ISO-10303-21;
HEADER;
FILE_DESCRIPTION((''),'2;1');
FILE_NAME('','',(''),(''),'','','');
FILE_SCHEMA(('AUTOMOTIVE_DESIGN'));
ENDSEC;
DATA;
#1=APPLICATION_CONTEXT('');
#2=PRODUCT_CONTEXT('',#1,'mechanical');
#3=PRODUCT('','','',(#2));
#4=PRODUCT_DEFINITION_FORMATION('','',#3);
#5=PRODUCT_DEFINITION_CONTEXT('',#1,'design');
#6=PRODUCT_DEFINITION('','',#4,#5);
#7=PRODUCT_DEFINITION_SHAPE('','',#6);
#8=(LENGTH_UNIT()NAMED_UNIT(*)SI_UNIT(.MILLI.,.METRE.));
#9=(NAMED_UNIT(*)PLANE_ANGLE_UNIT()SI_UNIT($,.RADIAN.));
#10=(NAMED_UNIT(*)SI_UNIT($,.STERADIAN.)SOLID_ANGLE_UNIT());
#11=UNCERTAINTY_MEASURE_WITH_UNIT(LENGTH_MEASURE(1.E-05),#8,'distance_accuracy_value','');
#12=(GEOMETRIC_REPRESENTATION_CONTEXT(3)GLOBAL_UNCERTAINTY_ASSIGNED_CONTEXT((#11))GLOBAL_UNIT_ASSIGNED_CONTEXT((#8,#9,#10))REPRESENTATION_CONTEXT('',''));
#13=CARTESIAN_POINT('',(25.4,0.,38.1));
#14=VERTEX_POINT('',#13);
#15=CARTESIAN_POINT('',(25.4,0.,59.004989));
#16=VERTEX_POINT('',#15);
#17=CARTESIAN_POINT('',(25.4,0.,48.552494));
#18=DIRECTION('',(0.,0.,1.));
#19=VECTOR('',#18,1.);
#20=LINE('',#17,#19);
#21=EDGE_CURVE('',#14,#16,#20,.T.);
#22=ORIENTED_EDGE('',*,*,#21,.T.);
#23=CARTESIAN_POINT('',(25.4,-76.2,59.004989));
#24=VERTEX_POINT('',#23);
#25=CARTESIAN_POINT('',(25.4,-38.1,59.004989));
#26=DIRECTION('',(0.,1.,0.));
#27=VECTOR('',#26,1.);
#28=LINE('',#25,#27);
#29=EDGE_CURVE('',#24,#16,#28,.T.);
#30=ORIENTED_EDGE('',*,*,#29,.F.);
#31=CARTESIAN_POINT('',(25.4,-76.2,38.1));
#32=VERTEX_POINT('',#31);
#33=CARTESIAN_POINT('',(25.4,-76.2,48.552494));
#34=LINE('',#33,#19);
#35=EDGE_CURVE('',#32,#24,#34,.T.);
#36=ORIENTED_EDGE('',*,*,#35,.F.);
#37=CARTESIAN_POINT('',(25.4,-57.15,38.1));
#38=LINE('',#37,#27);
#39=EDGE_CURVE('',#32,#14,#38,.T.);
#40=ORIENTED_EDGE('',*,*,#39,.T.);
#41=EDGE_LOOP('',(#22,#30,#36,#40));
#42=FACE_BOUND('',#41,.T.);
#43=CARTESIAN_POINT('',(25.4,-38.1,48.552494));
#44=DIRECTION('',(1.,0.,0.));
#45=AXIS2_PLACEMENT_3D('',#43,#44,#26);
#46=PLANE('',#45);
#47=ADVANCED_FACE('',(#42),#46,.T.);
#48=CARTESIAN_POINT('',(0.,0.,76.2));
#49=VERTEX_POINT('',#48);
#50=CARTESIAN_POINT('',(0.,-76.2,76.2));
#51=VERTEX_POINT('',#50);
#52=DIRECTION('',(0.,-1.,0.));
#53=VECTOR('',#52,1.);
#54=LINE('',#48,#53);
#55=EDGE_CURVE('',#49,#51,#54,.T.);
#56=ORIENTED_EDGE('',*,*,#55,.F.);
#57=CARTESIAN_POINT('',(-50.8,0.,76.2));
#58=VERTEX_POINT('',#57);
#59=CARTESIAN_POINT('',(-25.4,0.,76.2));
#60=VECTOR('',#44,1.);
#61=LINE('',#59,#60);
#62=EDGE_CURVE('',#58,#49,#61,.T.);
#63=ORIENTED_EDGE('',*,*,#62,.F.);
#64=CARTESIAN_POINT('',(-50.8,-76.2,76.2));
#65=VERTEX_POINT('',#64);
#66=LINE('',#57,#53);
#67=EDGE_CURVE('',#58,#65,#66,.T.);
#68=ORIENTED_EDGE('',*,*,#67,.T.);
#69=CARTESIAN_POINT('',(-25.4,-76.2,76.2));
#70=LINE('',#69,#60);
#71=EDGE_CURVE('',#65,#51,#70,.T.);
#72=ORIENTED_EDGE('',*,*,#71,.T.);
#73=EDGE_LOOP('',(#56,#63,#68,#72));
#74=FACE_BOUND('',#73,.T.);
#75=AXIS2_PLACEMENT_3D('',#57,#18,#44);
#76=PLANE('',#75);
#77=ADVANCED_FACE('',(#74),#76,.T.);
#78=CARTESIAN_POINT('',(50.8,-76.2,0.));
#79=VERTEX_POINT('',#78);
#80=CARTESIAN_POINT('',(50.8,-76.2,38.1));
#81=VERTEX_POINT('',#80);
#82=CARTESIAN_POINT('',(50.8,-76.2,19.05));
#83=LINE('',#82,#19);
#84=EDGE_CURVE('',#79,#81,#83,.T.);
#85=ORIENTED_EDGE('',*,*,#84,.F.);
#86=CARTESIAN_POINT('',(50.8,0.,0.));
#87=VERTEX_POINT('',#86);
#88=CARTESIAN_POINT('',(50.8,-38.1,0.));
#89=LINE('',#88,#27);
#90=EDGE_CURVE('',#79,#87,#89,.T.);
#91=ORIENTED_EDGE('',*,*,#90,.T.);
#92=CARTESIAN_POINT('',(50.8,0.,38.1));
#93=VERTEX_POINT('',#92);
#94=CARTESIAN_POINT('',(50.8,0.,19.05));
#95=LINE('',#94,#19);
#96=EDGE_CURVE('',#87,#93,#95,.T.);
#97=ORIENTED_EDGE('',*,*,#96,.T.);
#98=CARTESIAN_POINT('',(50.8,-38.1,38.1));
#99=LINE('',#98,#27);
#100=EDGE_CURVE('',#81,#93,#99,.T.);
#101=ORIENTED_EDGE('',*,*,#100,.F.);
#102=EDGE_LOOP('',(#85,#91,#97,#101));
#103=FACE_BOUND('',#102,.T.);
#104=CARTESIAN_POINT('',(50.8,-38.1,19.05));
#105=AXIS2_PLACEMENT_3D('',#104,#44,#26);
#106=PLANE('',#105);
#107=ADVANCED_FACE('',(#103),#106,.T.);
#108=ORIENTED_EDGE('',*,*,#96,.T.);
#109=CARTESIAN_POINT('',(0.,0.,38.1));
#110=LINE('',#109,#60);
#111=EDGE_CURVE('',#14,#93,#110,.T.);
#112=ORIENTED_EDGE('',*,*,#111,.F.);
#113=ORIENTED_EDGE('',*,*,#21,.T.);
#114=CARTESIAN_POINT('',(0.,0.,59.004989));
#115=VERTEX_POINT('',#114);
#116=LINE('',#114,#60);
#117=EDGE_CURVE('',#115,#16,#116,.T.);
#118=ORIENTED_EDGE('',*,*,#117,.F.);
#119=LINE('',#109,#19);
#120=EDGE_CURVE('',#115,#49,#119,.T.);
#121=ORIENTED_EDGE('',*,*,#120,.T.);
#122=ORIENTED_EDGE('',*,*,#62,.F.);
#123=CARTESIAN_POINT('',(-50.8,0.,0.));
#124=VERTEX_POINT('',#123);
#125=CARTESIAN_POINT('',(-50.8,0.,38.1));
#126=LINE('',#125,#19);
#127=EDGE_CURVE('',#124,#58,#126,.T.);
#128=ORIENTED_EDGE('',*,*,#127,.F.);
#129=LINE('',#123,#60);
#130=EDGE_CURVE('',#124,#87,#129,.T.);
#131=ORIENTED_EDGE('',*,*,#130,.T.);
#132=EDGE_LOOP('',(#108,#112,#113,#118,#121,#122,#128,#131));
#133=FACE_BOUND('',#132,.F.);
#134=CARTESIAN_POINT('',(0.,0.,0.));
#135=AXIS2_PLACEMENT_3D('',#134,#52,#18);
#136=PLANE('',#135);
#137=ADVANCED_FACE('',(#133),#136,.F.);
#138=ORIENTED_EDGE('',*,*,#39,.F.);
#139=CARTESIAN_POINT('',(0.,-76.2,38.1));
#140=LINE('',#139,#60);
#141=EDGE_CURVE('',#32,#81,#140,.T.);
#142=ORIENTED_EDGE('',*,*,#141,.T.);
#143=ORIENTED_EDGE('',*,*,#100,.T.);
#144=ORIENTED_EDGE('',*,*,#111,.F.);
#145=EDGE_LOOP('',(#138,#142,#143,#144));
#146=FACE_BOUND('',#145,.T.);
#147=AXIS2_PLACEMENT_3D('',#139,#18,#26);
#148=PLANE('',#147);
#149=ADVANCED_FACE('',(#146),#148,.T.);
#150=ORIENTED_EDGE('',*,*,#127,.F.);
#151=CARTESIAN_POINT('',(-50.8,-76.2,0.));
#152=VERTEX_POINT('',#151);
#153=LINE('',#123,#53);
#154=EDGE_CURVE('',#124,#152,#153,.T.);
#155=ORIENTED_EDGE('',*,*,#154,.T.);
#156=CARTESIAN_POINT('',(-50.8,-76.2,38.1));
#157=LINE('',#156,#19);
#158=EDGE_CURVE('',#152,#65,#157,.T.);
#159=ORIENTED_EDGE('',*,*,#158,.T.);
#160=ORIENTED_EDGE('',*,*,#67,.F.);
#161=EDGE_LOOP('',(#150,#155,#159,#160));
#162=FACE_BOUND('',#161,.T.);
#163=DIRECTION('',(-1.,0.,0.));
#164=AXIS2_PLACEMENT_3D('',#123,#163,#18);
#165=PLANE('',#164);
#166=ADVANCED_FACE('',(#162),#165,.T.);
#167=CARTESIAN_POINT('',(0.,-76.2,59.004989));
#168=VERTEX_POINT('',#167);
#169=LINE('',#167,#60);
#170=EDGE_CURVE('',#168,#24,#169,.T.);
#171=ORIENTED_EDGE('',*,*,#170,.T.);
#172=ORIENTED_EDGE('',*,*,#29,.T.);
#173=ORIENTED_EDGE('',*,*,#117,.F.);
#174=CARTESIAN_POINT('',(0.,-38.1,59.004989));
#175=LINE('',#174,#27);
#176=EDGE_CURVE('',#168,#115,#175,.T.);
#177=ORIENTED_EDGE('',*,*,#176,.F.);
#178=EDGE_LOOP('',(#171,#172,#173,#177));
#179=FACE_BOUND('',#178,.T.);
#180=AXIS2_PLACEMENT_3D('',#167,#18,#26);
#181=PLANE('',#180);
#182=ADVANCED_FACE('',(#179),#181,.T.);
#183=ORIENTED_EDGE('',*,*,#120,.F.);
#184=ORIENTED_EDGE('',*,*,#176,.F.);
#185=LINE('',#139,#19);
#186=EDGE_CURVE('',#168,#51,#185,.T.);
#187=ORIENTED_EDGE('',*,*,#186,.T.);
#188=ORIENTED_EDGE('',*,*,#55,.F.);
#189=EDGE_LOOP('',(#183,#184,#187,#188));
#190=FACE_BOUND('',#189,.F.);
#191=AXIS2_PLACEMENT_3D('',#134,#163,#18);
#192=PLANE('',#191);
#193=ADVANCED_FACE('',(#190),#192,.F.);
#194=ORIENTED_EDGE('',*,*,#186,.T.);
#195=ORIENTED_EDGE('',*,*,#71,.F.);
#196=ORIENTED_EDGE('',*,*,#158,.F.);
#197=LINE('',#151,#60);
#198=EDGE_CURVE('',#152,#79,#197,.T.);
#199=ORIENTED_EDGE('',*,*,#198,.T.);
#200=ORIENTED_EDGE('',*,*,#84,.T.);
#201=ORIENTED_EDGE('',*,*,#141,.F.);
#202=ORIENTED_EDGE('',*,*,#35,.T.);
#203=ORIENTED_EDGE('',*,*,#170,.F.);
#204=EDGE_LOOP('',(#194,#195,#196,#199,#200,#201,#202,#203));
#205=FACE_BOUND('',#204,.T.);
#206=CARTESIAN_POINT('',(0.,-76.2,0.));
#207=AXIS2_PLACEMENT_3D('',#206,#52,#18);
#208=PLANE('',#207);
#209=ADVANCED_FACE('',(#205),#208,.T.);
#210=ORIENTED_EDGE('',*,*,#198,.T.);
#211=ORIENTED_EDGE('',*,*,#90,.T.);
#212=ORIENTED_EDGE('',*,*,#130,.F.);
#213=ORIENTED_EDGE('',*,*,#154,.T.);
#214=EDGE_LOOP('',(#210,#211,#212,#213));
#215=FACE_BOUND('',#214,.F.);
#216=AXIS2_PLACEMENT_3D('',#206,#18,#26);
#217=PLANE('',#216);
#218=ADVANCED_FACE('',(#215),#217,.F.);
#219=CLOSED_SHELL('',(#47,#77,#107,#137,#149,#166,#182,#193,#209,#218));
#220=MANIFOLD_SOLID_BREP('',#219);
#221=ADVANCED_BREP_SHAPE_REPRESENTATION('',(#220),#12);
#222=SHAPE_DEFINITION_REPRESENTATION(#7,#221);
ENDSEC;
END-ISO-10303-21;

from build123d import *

# Parameters (mm, degrees)
F0_W     = 50.8
F0_H     = 76.2
F1_DEPTH = 76.2
F2_W     = 76.2
F2_H     = 38.1
F3_DEPTH = 50.8
F4_W     = 76.2
F4_H     = 20.904989
F5_DEPTH = 25.4


with BuildPart() as f1:
    # F0 (on Front) → F1 (new body)
    with BuildSketch(Plane.XZ):
        with Locations((-25.4, 38.1)):
            Rectangle(F0_W, F0_H)
    extrude(amount=F1_DEPTH)

    # F2 (on face) → F3 (join)
    with BuildSketch(Plane.YZ):
        with Locations((-38.1, 19.05)):
            Rectangle(F2_W, F2_H)
    extrude(amount=F3_DEPTH)

    # F4 (on face) → F5 (join)
    with BuildSketch(Plane.YZ):
        with Locations((-38.1, 48.552494)):
            Rectangle(F4_W, F4_H)
    extrude(amount=F5_DEPTH)


solid = f1.part
